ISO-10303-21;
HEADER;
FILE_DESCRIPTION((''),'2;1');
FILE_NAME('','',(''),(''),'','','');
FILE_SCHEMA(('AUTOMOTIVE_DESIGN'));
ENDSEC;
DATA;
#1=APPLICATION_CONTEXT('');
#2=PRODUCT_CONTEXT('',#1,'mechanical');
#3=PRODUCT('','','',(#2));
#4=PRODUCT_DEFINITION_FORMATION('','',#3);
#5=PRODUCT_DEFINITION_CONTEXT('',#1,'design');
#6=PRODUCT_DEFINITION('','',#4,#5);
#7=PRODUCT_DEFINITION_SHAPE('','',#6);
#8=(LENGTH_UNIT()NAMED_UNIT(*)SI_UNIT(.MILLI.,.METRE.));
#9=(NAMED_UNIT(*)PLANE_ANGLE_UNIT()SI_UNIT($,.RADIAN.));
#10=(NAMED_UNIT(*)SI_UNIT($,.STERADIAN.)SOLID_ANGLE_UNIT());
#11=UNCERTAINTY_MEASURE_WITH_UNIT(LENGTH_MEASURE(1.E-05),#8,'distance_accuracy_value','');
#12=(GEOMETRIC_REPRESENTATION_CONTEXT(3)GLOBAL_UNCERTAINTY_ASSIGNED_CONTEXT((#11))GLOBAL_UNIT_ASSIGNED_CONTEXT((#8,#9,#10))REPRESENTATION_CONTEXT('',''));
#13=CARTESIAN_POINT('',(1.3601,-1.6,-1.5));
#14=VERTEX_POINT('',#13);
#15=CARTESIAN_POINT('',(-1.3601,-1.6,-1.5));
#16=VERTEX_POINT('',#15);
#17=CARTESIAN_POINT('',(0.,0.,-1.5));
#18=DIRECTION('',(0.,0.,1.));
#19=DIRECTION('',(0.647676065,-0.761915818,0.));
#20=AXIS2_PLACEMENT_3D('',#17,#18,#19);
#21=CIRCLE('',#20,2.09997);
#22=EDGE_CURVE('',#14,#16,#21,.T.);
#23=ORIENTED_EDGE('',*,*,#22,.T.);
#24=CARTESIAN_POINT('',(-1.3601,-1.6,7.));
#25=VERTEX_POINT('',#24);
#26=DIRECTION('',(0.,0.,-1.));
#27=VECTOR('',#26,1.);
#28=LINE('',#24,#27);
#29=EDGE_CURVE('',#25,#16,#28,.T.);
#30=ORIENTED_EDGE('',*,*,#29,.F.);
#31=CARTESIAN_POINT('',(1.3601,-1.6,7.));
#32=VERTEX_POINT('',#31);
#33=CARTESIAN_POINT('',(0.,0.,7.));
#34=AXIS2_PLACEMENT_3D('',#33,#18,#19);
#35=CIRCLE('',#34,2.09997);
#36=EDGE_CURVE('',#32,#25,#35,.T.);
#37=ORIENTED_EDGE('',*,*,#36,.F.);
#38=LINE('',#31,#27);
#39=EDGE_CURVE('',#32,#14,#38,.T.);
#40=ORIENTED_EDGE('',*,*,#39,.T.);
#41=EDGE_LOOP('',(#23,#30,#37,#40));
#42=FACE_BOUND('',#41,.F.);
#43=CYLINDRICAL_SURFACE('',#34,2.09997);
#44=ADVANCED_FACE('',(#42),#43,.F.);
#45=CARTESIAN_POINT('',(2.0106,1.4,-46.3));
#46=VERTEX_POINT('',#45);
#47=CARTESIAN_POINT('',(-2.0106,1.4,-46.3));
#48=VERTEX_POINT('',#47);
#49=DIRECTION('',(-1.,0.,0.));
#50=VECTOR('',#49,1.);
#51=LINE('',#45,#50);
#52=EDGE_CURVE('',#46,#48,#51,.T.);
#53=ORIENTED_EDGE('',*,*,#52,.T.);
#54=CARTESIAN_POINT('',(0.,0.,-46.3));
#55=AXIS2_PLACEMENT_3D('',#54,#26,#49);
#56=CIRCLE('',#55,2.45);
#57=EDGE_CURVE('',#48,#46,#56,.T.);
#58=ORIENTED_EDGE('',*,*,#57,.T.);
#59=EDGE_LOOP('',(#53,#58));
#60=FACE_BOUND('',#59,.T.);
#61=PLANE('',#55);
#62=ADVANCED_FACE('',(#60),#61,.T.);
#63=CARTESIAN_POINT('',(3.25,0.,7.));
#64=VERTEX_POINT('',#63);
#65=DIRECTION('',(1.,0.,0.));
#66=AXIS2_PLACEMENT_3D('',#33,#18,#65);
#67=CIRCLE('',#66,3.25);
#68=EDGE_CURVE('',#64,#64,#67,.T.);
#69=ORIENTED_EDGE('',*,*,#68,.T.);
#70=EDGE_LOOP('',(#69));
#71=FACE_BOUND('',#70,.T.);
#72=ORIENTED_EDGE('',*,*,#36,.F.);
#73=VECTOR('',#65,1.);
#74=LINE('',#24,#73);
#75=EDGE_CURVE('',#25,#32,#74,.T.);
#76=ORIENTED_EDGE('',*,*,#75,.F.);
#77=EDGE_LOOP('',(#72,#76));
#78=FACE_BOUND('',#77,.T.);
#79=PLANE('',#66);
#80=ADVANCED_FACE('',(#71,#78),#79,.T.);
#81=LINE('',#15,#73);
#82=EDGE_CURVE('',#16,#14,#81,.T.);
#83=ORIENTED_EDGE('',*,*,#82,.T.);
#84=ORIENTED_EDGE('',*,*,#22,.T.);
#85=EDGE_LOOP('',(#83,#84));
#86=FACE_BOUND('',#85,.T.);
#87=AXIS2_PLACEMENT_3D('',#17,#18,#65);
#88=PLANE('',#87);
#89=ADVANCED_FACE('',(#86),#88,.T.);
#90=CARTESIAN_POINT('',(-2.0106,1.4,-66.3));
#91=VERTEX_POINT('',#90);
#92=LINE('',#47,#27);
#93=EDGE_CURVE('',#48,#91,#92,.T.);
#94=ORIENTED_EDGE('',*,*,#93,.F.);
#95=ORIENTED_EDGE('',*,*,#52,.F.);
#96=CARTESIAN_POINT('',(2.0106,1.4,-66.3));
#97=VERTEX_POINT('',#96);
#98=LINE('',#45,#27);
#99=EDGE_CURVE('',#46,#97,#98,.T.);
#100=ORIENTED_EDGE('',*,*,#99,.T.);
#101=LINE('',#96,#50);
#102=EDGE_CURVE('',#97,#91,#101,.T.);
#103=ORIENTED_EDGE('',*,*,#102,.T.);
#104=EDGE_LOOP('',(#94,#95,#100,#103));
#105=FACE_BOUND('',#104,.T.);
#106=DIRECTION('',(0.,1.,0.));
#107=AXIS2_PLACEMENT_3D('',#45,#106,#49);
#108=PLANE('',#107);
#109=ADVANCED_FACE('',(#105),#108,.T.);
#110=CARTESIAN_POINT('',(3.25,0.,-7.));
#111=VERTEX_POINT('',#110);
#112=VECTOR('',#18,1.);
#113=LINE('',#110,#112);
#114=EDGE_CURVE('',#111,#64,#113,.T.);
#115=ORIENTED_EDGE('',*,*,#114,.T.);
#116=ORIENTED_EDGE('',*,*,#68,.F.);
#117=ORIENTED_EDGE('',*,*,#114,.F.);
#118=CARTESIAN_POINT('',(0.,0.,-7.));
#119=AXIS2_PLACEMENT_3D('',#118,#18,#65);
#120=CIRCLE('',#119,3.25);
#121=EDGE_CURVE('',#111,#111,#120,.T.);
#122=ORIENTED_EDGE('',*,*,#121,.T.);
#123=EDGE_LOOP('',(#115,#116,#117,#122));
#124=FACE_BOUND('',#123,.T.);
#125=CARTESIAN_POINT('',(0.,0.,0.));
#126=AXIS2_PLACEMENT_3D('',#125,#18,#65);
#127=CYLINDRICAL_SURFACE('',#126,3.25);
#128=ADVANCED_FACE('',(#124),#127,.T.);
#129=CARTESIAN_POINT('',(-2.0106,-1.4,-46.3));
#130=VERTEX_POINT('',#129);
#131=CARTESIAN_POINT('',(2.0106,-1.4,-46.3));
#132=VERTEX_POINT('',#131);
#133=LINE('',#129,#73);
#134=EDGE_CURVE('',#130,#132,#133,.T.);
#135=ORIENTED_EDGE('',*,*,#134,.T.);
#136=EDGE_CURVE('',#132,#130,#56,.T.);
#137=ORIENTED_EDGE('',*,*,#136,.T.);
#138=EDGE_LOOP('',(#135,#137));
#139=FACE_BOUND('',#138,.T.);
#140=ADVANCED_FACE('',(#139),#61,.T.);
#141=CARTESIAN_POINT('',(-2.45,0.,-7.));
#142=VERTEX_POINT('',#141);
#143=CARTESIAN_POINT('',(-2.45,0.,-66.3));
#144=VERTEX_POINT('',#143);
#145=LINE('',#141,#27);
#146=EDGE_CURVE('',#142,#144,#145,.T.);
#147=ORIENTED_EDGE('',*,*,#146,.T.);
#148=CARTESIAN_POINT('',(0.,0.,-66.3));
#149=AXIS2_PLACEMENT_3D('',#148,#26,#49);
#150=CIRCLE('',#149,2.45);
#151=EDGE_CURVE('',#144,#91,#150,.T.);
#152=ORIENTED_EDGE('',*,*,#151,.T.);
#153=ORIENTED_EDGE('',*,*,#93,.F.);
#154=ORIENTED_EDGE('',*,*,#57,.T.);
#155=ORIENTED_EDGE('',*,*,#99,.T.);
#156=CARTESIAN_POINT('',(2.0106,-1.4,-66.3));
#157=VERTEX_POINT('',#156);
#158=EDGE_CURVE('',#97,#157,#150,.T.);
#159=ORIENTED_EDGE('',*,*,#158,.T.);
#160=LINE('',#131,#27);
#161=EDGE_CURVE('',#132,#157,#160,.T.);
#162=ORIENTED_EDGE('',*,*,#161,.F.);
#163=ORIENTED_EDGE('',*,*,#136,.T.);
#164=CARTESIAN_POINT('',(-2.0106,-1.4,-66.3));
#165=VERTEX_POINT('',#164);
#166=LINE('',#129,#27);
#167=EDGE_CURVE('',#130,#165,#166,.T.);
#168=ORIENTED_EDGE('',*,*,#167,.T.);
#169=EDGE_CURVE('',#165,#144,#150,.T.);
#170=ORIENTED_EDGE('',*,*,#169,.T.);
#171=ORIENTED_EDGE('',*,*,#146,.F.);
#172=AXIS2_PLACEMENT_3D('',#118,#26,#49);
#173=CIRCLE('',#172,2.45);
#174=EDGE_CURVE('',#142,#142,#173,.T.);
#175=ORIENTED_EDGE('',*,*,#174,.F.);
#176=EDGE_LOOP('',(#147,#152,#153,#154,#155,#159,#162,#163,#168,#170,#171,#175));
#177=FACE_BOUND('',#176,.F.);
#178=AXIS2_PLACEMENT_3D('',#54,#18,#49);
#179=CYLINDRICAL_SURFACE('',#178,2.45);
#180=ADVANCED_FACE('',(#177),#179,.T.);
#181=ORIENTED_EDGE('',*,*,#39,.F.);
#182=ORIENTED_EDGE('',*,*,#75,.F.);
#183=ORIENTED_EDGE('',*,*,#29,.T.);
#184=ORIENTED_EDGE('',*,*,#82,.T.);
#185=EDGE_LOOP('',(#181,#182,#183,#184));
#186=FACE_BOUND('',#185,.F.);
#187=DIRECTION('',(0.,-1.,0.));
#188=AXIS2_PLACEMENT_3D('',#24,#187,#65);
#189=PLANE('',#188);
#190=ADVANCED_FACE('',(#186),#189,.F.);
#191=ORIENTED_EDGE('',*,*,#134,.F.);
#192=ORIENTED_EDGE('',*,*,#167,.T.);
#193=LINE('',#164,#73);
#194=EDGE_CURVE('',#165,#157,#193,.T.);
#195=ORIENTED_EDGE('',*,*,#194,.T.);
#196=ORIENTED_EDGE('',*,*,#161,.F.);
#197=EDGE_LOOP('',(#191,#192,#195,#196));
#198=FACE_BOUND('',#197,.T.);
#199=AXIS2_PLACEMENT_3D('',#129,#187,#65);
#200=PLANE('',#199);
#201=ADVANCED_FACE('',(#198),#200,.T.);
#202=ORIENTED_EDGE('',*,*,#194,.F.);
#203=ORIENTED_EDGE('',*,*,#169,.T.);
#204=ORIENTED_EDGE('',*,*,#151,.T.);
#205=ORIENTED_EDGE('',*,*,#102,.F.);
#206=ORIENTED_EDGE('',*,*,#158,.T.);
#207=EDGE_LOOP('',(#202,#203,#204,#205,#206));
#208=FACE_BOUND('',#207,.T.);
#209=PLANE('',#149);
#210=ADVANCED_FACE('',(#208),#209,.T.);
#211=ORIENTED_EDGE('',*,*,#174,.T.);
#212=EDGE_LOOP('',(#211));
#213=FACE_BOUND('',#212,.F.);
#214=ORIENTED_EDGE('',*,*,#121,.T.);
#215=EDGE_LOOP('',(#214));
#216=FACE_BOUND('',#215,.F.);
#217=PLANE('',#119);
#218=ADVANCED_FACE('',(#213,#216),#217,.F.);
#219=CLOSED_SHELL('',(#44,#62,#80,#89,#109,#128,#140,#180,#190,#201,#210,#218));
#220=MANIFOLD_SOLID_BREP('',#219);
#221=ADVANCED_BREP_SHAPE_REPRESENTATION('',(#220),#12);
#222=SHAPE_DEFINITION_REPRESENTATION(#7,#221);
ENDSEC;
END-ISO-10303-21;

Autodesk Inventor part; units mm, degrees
ref_plane "YZ Plane" through (0, 0, 0) normal (1, 0, 0) x (0, 1, 0)
ref_plane "XZ Plane" through (0, 0, 0) normal (0, 1, 0) x (-1, 0, 0)
ref_plane "XY Plane" through (0, 0, 0) normal (0, 0, 1) x (1, 0, 0)
sketch "Sketch1" plane through (0, 0, 0) normal (0, 0, 1) x (1, 0, 0)
  circle A0 centre (0, 0) radius 3.25
  dimension "d0" = 6.5
extrude "Extrusion1" add sketch "Sketch1" along normal mid plane 14
sketch "Sketch2" plane through (0, 0, 7) normal (0, 0, 1) x (1, 0, 0)
  arc A0 (1.3601, -1.6) -> (-1.3601, -1.6) centre (0, 0) ccw
  line L0 (-1.3601, -1.6) -> (1.3601, -1.6)
  point P0 (0, 2.2)
  point P1 (0, -1.65)
  point P2 (0, -1.6)
  point P3 (0, 2.1)
  dimension "d4" = 2.1
  dimension "d12" = 3.7
extrude "Extrusion2" cut sketch "Sketch2" against normal blind 8.5
sketch "Sketch3" plane through (0, 0, -7) normal (0, 0, -1) x (-1, 0, 0)
  circle A0 centre (0, 0) radius 2.45
  dimension "d9" = 4.9
extrude "Extrusion3" add sketch "Sketch3" along normal blind 39.3
sketch "Sketch4" plane through (0, 0, -46.3) normal (0, 0, -1) x (-1, 0, 0)
  circle A0 centre (0, 0) radius 2.45 projected
  arc A1 (-2.0106, 1.4) -> (-2.0106, -1.4) centre (0, 0) ccw
  arc A2 (2.0106, -1.4) -> (2.0106, 1.4) centre (0, 0) ccw
  line L0 (-2.0106, 1.4) -> (2.0106, 1.4)
  line L1 (2.0106, -1.4) -> (-2.0106, -1.4)
  dimension "d13" = 1.4
extrude "Extrusion4" add sketch "Sketch4" along normal blind 20 contours A0 L1 L0
properties part number "13042026-08"
